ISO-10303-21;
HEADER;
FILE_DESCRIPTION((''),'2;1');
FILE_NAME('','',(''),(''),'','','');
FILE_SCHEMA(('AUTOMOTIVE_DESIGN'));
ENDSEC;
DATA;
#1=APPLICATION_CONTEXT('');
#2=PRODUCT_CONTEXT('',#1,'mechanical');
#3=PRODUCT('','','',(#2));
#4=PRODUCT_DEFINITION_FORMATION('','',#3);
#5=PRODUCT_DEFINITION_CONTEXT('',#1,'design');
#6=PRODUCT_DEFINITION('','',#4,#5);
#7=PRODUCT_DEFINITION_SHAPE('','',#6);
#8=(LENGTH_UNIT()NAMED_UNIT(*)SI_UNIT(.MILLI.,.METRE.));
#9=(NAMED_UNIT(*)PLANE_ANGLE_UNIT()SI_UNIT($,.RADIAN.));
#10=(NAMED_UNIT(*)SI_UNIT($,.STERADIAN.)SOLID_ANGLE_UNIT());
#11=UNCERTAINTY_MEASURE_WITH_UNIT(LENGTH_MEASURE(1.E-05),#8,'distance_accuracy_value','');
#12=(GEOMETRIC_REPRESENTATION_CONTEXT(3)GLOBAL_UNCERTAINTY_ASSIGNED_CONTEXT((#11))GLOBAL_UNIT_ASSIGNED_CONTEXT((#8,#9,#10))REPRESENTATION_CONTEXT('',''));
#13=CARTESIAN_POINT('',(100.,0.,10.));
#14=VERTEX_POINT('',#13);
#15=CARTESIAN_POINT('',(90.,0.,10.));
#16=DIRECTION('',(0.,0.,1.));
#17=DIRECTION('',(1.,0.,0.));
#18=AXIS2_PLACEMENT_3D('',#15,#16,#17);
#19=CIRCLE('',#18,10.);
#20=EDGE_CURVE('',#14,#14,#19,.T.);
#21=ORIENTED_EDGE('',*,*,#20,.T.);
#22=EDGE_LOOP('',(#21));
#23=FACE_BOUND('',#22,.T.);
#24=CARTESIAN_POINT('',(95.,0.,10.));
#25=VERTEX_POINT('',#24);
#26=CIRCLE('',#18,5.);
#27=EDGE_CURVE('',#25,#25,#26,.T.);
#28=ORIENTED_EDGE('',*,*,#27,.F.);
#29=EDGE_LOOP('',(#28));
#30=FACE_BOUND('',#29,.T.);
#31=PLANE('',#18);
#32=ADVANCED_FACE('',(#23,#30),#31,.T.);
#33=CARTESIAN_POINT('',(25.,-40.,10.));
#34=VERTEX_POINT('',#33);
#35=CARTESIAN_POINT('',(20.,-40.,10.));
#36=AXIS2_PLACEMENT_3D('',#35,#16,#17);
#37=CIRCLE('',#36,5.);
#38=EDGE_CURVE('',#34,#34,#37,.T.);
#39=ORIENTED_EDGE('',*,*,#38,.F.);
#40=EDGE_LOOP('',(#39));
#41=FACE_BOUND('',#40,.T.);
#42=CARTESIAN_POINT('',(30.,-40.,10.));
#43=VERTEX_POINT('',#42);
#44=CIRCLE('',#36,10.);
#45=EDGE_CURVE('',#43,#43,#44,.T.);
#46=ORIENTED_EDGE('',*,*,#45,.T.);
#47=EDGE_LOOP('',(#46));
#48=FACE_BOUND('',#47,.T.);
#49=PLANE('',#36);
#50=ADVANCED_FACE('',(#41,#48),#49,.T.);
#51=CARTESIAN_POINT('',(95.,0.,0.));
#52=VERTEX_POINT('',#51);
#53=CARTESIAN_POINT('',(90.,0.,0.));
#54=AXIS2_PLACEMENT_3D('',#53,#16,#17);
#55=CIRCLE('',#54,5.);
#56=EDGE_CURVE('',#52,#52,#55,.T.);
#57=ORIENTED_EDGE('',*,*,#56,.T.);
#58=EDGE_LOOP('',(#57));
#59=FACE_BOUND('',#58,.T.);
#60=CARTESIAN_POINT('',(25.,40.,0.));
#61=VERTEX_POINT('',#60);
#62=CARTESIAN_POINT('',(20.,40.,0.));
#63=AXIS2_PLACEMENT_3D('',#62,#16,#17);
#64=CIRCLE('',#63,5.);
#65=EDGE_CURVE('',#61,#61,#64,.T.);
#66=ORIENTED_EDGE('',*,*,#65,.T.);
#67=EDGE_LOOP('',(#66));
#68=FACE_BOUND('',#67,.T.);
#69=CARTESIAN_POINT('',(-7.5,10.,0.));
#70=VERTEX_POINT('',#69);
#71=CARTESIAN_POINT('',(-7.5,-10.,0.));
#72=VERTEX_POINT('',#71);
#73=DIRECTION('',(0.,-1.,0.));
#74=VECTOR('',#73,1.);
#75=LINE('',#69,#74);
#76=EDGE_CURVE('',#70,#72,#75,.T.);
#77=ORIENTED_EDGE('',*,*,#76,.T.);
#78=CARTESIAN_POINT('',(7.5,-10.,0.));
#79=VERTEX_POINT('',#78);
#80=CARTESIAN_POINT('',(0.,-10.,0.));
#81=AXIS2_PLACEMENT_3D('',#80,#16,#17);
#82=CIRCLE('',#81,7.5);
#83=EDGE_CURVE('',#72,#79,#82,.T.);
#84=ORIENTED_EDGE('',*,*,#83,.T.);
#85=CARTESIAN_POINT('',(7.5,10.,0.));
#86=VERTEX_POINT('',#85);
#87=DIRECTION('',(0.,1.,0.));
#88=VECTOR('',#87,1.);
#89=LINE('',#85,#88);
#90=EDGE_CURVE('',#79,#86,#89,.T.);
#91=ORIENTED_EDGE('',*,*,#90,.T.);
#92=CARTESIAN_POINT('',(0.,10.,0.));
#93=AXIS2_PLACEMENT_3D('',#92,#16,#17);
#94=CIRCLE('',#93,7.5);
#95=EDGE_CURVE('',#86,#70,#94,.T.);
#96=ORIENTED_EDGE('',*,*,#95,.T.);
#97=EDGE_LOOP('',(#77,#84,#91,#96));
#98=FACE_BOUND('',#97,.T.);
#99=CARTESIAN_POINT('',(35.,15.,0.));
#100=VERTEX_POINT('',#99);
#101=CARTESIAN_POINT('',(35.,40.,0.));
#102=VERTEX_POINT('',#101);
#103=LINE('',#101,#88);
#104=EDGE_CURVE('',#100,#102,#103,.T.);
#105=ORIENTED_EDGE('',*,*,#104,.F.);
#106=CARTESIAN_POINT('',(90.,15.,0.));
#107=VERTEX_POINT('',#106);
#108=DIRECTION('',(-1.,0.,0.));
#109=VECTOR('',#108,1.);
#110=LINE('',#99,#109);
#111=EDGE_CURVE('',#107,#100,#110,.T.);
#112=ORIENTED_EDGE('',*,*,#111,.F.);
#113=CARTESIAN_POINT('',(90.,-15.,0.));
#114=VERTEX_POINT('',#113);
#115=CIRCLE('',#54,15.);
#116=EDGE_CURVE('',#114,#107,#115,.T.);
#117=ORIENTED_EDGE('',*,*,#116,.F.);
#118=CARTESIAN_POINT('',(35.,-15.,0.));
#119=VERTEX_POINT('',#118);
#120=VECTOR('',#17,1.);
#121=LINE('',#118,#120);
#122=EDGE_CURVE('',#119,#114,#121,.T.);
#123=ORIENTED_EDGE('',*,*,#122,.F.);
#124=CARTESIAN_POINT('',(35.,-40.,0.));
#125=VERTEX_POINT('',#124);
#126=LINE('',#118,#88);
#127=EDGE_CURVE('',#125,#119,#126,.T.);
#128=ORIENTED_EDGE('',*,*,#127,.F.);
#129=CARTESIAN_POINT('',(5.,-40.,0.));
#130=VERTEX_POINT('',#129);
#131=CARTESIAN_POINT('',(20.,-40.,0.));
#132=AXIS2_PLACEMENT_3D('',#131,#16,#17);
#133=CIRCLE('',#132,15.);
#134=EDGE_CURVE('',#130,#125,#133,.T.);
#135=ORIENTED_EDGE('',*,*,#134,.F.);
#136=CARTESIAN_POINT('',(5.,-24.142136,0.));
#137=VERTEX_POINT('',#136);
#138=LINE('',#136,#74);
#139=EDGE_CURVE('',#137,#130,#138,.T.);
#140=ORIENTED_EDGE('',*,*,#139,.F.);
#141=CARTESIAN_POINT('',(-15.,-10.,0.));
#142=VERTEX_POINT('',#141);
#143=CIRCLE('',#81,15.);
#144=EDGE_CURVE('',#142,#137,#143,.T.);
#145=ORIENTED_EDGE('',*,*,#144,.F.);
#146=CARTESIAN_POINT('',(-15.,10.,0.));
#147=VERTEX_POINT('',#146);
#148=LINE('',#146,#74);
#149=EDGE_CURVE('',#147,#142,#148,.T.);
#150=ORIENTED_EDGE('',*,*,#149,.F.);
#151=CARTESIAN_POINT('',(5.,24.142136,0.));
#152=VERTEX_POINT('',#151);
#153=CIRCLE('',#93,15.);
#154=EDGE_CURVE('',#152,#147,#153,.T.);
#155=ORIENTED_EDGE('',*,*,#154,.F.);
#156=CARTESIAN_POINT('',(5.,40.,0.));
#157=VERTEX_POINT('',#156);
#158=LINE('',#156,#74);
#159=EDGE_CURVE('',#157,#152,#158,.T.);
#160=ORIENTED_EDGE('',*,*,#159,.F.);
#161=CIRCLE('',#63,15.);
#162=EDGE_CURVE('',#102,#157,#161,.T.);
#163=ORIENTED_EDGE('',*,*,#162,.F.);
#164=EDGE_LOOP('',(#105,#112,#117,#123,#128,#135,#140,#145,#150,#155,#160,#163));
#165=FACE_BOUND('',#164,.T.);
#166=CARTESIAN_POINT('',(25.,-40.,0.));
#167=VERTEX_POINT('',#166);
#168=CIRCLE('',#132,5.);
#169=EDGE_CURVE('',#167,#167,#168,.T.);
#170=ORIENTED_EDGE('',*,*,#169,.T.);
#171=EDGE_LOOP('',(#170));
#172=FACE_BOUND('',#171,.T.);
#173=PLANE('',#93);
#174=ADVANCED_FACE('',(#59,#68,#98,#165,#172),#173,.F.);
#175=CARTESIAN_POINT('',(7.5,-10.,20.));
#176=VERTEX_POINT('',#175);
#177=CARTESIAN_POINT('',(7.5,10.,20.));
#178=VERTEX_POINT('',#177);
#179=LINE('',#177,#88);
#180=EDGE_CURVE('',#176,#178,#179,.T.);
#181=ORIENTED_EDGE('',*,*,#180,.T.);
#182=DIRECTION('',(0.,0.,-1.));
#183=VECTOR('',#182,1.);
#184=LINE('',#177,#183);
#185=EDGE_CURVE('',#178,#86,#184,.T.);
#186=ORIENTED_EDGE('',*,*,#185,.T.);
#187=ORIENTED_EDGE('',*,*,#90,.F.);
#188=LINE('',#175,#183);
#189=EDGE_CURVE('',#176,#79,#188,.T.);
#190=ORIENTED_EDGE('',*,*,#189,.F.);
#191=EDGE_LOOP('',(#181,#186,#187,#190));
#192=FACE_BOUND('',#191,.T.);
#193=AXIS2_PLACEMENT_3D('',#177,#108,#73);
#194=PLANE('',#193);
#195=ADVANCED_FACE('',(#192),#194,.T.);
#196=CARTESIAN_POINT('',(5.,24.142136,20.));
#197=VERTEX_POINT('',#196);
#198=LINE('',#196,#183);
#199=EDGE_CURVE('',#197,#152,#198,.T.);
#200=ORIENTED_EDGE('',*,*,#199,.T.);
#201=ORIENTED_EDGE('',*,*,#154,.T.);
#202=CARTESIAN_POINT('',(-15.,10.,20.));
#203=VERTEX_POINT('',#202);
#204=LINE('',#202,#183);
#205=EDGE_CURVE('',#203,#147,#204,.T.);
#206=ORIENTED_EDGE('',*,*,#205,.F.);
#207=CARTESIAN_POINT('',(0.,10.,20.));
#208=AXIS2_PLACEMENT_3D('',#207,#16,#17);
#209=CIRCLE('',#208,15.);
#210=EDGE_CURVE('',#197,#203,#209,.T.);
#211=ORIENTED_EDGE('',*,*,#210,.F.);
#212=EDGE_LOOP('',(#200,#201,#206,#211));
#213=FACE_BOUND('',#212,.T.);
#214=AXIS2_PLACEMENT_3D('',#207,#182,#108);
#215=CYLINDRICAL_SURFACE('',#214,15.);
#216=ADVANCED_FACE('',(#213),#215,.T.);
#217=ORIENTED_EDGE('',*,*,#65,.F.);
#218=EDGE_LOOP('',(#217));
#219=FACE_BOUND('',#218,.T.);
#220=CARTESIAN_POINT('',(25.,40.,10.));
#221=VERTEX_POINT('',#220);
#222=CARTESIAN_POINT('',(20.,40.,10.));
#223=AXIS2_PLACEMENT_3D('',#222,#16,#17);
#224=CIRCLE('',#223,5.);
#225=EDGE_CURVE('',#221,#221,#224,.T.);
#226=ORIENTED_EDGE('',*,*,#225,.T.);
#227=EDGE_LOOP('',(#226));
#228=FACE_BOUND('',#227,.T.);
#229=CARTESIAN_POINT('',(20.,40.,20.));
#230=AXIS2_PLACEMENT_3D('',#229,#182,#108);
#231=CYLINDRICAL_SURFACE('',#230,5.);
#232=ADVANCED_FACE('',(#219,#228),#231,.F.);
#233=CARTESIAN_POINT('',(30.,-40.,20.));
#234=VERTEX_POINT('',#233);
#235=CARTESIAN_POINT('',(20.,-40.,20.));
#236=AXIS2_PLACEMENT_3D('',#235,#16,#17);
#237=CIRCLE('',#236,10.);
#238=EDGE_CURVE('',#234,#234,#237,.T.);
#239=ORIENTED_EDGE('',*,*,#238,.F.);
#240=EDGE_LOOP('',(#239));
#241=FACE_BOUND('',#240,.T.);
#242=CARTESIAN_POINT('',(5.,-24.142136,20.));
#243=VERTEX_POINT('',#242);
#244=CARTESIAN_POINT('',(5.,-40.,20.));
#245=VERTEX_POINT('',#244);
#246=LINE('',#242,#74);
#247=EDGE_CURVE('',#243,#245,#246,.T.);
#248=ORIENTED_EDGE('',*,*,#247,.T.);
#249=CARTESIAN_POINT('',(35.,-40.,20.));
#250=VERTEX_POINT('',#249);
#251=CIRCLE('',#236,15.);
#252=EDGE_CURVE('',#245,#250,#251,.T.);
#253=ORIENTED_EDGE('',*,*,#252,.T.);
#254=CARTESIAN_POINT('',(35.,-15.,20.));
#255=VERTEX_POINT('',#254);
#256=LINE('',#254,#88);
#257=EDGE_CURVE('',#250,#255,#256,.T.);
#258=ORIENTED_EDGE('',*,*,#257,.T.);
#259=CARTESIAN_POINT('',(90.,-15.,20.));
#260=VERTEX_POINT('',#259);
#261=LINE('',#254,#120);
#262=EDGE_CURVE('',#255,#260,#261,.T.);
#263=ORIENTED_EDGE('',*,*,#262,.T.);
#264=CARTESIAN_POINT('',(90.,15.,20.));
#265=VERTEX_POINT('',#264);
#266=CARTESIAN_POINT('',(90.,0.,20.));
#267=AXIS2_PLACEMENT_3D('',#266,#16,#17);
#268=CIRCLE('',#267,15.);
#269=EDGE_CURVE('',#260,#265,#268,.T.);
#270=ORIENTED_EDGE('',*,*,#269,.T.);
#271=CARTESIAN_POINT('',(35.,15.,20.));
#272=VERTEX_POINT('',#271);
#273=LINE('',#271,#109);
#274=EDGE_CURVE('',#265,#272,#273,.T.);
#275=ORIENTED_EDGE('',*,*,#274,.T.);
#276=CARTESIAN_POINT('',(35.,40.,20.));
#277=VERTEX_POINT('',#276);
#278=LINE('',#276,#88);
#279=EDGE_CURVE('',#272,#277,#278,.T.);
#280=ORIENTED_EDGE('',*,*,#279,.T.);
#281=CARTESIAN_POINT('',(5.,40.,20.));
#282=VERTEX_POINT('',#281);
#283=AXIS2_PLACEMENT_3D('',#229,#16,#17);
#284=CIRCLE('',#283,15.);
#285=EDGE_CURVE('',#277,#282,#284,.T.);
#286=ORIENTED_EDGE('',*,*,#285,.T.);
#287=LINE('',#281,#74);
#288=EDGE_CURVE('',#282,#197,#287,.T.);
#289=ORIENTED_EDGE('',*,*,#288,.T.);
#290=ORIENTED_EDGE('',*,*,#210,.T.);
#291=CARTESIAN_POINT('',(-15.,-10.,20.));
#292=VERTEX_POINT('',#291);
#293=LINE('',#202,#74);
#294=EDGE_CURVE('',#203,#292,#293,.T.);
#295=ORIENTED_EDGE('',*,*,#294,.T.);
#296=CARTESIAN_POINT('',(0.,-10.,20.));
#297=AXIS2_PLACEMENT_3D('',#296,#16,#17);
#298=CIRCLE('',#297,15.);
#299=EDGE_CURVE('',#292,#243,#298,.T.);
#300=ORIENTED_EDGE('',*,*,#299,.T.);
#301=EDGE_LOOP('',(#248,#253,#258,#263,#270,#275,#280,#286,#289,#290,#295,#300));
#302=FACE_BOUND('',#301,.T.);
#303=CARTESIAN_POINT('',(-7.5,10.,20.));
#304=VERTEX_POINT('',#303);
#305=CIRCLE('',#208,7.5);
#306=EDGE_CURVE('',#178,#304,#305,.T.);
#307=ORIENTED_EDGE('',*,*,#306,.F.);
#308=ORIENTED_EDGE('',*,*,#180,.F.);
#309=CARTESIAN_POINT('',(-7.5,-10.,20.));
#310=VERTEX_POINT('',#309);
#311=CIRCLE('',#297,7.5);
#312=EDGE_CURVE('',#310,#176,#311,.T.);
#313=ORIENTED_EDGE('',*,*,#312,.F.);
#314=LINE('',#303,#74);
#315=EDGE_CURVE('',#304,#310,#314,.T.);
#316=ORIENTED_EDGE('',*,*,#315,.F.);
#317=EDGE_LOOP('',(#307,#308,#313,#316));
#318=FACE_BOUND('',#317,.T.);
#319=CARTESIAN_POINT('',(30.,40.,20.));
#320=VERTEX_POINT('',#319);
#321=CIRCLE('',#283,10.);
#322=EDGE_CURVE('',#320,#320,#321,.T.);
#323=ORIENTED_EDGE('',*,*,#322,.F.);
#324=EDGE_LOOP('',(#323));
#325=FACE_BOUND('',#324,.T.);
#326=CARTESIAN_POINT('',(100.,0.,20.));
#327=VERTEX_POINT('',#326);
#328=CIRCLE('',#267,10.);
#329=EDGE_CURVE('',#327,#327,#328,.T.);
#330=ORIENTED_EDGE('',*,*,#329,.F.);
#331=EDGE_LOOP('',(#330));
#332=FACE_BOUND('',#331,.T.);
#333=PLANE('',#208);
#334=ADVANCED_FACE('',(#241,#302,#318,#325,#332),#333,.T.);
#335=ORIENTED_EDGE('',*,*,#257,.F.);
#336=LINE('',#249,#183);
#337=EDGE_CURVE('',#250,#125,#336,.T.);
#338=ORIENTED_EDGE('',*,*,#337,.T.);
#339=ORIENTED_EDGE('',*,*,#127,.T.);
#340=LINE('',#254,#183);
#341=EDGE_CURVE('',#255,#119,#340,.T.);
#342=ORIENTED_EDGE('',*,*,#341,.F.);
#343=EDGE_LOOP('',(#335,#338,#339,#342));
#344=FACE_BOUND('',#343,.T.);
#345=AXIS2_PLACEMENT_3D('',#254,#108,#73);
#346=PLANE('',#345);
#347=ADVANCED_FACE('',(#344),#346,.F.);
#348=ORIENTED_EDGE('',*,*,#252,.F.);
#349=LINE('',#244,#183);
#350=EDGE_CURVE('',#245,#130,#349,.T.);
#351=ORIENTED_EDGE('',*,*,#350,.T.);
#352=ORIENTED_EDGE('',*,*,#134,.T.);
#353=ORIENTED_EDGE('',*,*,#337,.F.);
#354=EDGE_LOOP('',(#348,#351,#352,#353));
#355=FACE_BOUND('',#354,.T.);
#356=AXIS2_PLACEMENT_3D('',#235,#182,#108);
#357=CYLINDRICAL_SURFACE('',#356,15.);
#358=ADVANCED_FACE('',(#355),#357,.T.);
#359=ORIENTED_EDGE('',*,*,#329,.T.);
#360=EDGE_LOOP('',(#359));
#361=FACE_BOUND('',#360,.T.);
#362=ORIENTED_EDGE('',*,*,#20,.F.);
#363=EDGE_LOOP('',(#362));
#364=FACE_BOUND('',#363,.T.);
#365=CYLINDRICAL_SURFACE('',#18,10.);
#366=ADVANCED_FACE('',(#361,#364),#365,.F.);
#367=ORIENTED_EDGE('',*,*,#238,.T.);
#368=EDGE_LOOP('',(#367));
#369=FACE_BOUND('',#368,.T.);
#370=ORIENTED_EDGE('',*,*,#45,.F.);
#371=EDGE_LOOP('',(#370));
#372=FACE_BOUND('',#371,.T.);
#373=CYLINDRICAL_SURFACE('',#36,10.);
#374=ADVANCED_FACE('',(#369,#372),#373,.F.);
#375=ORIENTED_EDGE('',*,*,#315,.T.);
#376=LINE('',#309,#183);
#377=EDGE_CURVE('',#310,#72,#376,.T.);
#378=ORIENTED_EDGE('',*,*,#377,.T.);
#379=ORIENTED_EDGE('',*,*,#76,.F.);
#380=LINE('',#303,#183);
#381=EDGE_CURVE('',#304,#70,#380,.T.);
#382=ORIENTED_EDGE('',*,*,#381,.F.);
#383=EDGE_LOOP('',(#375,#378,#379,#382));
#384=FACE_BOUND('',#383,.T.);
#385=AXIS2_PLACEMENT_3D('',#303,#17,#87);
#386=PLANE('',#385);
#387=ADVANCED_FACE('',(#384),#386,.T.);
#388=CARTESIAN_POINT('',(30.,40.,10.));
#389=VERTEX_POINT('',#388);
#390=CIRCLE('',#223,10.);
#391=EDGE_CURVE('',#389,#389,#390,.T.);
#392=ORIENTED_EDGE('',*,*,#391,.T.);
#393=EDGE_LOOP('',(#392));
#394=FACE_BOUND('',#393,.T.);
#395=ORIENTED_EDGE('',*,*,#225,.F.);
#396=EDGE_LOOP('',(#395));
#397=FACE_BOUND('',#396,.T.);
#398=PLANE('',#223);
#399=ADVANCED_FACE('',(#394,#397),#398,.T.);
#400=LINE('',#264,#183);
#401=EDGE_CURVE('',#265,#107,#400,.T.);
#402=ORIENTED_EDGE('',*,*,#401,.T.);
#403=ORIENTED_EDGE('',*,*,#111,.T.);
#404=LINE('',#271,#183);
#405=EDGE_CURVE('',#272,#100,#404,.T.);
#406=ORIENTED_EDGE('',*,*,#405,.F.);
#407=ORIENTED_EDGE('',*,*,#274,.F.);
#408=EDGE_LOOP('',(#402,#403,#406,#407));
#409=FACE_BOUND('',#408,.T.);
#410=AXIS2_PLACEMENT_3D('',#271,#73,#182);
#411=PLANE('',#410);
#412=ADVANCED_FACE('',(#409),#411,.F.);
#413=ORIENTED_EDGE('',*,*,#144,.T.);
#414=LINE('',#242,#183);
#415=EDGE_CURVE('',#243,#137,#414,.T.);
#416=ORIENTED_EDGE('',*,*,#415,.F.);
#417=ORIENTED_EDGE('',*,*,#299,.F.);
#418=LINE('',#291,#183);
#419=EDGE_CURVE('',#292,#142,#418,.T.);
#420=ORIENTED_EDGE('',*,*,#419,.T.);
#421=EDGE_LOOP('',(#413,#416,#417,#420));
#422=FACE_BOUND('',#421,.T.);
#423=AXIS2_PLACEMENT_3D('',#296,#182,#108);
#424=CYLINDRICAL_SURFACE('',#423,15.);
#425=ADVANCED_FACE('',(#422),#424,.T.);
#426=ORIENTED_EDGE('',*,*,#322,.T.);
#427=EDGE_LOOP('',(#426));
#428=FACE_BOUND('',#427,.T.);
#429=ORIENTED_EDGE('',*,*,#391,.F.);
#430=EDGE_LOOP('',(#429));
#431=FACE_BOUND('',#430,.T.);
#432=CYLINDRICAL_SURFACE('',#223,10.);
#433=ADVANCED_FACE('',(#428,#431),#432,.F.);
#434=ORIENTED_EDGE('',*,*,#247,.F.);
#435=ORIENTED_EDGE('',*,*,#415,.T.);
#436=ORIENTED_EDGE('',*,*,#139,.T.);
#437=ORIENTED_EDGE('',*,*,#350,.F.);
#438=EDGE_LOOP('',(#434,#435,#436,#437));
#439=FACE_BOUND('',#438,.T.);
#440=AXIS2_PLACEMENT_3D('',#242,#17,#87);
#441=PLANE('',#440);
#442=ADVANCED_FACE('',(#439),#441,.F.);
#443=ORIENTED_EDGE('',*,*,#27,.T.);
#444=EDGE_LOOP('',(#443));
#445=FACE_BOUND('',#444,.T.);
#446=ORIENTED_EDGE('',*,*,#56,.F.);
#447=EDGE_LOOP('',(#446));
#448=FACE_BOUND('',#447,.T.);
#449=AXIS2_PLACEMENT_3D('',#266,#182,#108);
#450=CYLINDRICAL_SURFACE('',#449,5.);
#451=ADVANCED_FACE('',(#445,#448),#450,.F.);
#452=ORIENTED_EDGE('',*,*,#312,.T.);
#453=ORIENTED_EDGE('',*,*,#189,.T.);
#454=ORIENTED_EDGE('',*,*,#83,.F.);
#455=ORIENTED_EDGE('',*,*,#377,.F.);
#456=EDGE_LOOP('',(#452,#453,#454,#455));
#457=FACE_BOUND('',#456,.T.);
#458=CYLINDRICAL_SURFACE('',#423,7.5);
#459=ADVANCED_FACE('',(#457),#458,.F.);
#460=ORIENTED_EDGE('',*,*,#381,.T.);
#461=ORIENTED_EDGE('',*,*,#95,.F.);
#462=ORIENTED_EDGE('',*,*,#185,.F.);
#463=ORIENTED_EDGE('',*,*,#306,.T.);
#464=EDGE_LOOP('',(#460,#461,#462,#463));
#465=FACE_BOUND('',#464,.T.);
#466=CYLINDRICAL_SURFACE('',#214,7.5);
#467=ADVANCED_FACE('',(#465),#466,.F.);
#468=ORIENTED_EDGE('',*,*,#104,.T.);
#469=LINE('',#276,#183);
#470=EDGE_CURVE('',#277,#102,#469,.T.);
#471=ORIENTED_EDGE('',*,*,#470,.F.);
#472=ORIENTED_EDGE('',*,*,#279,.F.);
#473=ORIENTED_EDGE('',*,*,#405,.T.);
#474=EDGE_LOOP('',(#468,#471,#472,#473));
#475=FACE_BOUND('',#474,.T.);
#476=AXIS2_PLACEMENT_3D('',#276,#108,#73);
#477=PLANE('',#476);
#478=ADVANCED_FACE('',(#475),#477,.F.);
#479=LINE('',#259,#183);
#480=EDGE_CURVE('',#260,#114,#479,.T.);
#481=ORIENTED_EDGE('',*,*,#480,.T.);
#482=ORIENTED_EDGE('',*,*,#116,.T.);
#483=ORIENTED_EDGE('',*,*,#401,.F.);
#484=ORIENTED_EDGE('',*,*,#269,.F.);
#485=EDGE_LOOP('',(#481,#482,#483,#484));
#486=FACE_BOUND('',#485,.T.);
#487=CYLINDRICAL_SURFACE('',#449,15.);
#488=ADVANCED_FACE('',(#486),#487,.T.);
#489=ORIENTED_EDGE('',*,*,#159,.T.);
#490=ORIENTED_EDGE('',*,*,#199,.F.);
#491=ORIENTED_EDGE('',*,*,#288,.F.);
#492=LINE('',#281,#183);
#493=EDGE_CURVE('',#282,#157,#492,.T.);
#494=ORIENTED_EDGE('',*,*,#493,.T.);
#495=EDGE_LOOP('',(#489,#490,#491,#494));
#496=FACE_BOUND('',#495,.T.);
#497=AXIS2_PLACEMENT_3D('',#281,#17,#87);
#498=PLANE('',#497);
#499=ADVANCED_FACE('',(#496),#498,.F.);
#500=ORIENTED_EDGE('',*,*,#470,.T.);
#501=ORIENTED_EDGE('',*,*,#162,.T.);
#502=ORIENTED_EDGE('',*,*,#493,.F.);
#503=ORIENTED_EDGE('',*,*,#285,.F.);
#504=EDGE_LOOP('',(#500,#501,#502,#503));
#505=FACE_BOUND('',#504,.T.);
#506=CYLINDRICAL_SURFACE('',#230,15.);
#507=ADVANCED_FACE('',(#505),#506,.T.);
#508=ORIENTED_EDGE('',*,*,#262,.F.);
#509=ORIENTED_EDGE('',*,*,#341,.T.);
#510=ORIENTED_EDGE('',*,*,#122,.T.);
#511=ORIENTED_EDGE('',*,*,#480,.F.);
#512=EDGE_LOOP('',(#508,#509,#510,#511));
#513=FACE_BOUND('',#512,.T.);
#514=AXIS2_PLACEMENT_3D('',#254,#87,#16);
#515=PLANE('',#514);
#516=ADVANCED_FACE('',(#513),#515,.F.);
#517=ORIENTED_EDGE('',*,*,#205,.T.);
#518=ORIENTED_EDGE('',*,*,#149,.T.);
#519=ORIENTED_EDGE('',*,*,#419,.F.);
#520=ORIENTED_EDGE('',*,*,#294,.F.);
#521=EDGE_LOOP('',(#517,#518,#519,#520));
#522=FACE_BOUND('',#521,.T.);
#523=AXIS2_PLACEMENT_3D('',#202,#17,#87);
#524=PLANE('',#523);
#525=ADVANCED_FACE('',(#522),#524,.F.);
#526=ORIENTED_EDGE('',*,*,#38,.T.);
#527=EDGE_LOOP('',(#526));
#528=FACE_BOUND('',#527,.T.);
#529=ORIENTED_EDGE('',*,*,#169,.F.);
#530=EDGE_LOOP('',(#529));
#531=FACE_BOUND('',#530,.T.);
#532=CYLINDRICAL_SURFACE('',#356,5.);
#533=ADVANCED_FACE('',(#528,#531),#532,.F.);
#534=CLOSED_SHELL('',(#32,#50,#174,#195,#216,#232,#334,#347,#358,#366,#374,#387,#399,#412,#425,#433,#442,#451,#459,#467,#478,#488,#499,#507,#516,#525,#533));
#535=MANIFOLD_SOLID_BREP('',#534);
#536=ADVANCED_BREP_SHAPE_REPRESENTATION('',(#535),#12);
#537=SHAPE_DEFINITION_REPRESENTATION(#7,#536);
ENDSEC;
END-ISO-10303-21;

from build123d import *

# Parameters (mm, degrees)
SKETCH1_R           = 5
BOSS_EXTRUDE1_DEPTH = 20
SKETCH2_R           = 10
CUT_EXTRUDE1_DEPTH  = 10


with BuildPart() as part:
    # Sketch1 → Boss-Extrude1 (new body)
    with BuildSketch(Plane.XY):
        with BuildLine():
            Line((-15, 10), (-15, -10))
            ThreePointArc((-15, -10), (-8.660254038, -22.247448714), (5, -24.142135624))
            Line((5, -24.142135624), (5, -40))
            ThreePointArc((5, -40), (20, -55), (35, -40))
            Line((35, -40), (35, -15))
            Line((35, -15), (90, -15))
            ThreePointArc((90, -15), (105, 0), (90, 15))
            Line((90, 15), (35, 15))
            Line((35, 15), (35, 40))
            ThreePointArc((35, 40), (20, 55), (5, 40))
            Line((5, 40), (5, 24.142135624))
            ThreePointArc((5, 24.142135624), (-8.660254038, 22.247448714), (-15, 10))
        make_face()
        with Locations((20, 40)):
            Circle(SKETCH1_R, mode=Mode.SUBTRACT)
        with Locations((20, -40)):
            Circle(SKETCH1_R, mode=Mode.SUBTRACT)
        with Locations((90, 0)):
            Circle(SKETCH1_R, mode=Mode.SUBTRACT)
        with BuildLine():
            Line((7.5, 10), (7.5, -10))
            ThreePointArc((7.5, -10), (0, -17.5), (-7.5, -10))
            Line((-7.5, -10), (-7.5, 10))
            ThreePointArc((-7.5, 10), (0, 17.5), (7.5, 10))
        make_face(mode=Mode.SUBTRACT)
    extrude(amount=BOSS_EXTRUDE1_DEPTH)

    # Sketch2 → Cut-Extrude1 (cut)
    with BuildSketch(Plane.XY.offset(20)):
        with Locations((20, 40)):
            Circle(SKETCH2_R)
        with Locations((20, -40)):
            Circle(SKETCH2_R)
        with Locations((90, 0)):
            Circle(SKETCH2_R)
    extrude(amount=-CUT_EXTRUDE1_DEPTH, mode=Mode.SUBTRACT)


solid = part.part
